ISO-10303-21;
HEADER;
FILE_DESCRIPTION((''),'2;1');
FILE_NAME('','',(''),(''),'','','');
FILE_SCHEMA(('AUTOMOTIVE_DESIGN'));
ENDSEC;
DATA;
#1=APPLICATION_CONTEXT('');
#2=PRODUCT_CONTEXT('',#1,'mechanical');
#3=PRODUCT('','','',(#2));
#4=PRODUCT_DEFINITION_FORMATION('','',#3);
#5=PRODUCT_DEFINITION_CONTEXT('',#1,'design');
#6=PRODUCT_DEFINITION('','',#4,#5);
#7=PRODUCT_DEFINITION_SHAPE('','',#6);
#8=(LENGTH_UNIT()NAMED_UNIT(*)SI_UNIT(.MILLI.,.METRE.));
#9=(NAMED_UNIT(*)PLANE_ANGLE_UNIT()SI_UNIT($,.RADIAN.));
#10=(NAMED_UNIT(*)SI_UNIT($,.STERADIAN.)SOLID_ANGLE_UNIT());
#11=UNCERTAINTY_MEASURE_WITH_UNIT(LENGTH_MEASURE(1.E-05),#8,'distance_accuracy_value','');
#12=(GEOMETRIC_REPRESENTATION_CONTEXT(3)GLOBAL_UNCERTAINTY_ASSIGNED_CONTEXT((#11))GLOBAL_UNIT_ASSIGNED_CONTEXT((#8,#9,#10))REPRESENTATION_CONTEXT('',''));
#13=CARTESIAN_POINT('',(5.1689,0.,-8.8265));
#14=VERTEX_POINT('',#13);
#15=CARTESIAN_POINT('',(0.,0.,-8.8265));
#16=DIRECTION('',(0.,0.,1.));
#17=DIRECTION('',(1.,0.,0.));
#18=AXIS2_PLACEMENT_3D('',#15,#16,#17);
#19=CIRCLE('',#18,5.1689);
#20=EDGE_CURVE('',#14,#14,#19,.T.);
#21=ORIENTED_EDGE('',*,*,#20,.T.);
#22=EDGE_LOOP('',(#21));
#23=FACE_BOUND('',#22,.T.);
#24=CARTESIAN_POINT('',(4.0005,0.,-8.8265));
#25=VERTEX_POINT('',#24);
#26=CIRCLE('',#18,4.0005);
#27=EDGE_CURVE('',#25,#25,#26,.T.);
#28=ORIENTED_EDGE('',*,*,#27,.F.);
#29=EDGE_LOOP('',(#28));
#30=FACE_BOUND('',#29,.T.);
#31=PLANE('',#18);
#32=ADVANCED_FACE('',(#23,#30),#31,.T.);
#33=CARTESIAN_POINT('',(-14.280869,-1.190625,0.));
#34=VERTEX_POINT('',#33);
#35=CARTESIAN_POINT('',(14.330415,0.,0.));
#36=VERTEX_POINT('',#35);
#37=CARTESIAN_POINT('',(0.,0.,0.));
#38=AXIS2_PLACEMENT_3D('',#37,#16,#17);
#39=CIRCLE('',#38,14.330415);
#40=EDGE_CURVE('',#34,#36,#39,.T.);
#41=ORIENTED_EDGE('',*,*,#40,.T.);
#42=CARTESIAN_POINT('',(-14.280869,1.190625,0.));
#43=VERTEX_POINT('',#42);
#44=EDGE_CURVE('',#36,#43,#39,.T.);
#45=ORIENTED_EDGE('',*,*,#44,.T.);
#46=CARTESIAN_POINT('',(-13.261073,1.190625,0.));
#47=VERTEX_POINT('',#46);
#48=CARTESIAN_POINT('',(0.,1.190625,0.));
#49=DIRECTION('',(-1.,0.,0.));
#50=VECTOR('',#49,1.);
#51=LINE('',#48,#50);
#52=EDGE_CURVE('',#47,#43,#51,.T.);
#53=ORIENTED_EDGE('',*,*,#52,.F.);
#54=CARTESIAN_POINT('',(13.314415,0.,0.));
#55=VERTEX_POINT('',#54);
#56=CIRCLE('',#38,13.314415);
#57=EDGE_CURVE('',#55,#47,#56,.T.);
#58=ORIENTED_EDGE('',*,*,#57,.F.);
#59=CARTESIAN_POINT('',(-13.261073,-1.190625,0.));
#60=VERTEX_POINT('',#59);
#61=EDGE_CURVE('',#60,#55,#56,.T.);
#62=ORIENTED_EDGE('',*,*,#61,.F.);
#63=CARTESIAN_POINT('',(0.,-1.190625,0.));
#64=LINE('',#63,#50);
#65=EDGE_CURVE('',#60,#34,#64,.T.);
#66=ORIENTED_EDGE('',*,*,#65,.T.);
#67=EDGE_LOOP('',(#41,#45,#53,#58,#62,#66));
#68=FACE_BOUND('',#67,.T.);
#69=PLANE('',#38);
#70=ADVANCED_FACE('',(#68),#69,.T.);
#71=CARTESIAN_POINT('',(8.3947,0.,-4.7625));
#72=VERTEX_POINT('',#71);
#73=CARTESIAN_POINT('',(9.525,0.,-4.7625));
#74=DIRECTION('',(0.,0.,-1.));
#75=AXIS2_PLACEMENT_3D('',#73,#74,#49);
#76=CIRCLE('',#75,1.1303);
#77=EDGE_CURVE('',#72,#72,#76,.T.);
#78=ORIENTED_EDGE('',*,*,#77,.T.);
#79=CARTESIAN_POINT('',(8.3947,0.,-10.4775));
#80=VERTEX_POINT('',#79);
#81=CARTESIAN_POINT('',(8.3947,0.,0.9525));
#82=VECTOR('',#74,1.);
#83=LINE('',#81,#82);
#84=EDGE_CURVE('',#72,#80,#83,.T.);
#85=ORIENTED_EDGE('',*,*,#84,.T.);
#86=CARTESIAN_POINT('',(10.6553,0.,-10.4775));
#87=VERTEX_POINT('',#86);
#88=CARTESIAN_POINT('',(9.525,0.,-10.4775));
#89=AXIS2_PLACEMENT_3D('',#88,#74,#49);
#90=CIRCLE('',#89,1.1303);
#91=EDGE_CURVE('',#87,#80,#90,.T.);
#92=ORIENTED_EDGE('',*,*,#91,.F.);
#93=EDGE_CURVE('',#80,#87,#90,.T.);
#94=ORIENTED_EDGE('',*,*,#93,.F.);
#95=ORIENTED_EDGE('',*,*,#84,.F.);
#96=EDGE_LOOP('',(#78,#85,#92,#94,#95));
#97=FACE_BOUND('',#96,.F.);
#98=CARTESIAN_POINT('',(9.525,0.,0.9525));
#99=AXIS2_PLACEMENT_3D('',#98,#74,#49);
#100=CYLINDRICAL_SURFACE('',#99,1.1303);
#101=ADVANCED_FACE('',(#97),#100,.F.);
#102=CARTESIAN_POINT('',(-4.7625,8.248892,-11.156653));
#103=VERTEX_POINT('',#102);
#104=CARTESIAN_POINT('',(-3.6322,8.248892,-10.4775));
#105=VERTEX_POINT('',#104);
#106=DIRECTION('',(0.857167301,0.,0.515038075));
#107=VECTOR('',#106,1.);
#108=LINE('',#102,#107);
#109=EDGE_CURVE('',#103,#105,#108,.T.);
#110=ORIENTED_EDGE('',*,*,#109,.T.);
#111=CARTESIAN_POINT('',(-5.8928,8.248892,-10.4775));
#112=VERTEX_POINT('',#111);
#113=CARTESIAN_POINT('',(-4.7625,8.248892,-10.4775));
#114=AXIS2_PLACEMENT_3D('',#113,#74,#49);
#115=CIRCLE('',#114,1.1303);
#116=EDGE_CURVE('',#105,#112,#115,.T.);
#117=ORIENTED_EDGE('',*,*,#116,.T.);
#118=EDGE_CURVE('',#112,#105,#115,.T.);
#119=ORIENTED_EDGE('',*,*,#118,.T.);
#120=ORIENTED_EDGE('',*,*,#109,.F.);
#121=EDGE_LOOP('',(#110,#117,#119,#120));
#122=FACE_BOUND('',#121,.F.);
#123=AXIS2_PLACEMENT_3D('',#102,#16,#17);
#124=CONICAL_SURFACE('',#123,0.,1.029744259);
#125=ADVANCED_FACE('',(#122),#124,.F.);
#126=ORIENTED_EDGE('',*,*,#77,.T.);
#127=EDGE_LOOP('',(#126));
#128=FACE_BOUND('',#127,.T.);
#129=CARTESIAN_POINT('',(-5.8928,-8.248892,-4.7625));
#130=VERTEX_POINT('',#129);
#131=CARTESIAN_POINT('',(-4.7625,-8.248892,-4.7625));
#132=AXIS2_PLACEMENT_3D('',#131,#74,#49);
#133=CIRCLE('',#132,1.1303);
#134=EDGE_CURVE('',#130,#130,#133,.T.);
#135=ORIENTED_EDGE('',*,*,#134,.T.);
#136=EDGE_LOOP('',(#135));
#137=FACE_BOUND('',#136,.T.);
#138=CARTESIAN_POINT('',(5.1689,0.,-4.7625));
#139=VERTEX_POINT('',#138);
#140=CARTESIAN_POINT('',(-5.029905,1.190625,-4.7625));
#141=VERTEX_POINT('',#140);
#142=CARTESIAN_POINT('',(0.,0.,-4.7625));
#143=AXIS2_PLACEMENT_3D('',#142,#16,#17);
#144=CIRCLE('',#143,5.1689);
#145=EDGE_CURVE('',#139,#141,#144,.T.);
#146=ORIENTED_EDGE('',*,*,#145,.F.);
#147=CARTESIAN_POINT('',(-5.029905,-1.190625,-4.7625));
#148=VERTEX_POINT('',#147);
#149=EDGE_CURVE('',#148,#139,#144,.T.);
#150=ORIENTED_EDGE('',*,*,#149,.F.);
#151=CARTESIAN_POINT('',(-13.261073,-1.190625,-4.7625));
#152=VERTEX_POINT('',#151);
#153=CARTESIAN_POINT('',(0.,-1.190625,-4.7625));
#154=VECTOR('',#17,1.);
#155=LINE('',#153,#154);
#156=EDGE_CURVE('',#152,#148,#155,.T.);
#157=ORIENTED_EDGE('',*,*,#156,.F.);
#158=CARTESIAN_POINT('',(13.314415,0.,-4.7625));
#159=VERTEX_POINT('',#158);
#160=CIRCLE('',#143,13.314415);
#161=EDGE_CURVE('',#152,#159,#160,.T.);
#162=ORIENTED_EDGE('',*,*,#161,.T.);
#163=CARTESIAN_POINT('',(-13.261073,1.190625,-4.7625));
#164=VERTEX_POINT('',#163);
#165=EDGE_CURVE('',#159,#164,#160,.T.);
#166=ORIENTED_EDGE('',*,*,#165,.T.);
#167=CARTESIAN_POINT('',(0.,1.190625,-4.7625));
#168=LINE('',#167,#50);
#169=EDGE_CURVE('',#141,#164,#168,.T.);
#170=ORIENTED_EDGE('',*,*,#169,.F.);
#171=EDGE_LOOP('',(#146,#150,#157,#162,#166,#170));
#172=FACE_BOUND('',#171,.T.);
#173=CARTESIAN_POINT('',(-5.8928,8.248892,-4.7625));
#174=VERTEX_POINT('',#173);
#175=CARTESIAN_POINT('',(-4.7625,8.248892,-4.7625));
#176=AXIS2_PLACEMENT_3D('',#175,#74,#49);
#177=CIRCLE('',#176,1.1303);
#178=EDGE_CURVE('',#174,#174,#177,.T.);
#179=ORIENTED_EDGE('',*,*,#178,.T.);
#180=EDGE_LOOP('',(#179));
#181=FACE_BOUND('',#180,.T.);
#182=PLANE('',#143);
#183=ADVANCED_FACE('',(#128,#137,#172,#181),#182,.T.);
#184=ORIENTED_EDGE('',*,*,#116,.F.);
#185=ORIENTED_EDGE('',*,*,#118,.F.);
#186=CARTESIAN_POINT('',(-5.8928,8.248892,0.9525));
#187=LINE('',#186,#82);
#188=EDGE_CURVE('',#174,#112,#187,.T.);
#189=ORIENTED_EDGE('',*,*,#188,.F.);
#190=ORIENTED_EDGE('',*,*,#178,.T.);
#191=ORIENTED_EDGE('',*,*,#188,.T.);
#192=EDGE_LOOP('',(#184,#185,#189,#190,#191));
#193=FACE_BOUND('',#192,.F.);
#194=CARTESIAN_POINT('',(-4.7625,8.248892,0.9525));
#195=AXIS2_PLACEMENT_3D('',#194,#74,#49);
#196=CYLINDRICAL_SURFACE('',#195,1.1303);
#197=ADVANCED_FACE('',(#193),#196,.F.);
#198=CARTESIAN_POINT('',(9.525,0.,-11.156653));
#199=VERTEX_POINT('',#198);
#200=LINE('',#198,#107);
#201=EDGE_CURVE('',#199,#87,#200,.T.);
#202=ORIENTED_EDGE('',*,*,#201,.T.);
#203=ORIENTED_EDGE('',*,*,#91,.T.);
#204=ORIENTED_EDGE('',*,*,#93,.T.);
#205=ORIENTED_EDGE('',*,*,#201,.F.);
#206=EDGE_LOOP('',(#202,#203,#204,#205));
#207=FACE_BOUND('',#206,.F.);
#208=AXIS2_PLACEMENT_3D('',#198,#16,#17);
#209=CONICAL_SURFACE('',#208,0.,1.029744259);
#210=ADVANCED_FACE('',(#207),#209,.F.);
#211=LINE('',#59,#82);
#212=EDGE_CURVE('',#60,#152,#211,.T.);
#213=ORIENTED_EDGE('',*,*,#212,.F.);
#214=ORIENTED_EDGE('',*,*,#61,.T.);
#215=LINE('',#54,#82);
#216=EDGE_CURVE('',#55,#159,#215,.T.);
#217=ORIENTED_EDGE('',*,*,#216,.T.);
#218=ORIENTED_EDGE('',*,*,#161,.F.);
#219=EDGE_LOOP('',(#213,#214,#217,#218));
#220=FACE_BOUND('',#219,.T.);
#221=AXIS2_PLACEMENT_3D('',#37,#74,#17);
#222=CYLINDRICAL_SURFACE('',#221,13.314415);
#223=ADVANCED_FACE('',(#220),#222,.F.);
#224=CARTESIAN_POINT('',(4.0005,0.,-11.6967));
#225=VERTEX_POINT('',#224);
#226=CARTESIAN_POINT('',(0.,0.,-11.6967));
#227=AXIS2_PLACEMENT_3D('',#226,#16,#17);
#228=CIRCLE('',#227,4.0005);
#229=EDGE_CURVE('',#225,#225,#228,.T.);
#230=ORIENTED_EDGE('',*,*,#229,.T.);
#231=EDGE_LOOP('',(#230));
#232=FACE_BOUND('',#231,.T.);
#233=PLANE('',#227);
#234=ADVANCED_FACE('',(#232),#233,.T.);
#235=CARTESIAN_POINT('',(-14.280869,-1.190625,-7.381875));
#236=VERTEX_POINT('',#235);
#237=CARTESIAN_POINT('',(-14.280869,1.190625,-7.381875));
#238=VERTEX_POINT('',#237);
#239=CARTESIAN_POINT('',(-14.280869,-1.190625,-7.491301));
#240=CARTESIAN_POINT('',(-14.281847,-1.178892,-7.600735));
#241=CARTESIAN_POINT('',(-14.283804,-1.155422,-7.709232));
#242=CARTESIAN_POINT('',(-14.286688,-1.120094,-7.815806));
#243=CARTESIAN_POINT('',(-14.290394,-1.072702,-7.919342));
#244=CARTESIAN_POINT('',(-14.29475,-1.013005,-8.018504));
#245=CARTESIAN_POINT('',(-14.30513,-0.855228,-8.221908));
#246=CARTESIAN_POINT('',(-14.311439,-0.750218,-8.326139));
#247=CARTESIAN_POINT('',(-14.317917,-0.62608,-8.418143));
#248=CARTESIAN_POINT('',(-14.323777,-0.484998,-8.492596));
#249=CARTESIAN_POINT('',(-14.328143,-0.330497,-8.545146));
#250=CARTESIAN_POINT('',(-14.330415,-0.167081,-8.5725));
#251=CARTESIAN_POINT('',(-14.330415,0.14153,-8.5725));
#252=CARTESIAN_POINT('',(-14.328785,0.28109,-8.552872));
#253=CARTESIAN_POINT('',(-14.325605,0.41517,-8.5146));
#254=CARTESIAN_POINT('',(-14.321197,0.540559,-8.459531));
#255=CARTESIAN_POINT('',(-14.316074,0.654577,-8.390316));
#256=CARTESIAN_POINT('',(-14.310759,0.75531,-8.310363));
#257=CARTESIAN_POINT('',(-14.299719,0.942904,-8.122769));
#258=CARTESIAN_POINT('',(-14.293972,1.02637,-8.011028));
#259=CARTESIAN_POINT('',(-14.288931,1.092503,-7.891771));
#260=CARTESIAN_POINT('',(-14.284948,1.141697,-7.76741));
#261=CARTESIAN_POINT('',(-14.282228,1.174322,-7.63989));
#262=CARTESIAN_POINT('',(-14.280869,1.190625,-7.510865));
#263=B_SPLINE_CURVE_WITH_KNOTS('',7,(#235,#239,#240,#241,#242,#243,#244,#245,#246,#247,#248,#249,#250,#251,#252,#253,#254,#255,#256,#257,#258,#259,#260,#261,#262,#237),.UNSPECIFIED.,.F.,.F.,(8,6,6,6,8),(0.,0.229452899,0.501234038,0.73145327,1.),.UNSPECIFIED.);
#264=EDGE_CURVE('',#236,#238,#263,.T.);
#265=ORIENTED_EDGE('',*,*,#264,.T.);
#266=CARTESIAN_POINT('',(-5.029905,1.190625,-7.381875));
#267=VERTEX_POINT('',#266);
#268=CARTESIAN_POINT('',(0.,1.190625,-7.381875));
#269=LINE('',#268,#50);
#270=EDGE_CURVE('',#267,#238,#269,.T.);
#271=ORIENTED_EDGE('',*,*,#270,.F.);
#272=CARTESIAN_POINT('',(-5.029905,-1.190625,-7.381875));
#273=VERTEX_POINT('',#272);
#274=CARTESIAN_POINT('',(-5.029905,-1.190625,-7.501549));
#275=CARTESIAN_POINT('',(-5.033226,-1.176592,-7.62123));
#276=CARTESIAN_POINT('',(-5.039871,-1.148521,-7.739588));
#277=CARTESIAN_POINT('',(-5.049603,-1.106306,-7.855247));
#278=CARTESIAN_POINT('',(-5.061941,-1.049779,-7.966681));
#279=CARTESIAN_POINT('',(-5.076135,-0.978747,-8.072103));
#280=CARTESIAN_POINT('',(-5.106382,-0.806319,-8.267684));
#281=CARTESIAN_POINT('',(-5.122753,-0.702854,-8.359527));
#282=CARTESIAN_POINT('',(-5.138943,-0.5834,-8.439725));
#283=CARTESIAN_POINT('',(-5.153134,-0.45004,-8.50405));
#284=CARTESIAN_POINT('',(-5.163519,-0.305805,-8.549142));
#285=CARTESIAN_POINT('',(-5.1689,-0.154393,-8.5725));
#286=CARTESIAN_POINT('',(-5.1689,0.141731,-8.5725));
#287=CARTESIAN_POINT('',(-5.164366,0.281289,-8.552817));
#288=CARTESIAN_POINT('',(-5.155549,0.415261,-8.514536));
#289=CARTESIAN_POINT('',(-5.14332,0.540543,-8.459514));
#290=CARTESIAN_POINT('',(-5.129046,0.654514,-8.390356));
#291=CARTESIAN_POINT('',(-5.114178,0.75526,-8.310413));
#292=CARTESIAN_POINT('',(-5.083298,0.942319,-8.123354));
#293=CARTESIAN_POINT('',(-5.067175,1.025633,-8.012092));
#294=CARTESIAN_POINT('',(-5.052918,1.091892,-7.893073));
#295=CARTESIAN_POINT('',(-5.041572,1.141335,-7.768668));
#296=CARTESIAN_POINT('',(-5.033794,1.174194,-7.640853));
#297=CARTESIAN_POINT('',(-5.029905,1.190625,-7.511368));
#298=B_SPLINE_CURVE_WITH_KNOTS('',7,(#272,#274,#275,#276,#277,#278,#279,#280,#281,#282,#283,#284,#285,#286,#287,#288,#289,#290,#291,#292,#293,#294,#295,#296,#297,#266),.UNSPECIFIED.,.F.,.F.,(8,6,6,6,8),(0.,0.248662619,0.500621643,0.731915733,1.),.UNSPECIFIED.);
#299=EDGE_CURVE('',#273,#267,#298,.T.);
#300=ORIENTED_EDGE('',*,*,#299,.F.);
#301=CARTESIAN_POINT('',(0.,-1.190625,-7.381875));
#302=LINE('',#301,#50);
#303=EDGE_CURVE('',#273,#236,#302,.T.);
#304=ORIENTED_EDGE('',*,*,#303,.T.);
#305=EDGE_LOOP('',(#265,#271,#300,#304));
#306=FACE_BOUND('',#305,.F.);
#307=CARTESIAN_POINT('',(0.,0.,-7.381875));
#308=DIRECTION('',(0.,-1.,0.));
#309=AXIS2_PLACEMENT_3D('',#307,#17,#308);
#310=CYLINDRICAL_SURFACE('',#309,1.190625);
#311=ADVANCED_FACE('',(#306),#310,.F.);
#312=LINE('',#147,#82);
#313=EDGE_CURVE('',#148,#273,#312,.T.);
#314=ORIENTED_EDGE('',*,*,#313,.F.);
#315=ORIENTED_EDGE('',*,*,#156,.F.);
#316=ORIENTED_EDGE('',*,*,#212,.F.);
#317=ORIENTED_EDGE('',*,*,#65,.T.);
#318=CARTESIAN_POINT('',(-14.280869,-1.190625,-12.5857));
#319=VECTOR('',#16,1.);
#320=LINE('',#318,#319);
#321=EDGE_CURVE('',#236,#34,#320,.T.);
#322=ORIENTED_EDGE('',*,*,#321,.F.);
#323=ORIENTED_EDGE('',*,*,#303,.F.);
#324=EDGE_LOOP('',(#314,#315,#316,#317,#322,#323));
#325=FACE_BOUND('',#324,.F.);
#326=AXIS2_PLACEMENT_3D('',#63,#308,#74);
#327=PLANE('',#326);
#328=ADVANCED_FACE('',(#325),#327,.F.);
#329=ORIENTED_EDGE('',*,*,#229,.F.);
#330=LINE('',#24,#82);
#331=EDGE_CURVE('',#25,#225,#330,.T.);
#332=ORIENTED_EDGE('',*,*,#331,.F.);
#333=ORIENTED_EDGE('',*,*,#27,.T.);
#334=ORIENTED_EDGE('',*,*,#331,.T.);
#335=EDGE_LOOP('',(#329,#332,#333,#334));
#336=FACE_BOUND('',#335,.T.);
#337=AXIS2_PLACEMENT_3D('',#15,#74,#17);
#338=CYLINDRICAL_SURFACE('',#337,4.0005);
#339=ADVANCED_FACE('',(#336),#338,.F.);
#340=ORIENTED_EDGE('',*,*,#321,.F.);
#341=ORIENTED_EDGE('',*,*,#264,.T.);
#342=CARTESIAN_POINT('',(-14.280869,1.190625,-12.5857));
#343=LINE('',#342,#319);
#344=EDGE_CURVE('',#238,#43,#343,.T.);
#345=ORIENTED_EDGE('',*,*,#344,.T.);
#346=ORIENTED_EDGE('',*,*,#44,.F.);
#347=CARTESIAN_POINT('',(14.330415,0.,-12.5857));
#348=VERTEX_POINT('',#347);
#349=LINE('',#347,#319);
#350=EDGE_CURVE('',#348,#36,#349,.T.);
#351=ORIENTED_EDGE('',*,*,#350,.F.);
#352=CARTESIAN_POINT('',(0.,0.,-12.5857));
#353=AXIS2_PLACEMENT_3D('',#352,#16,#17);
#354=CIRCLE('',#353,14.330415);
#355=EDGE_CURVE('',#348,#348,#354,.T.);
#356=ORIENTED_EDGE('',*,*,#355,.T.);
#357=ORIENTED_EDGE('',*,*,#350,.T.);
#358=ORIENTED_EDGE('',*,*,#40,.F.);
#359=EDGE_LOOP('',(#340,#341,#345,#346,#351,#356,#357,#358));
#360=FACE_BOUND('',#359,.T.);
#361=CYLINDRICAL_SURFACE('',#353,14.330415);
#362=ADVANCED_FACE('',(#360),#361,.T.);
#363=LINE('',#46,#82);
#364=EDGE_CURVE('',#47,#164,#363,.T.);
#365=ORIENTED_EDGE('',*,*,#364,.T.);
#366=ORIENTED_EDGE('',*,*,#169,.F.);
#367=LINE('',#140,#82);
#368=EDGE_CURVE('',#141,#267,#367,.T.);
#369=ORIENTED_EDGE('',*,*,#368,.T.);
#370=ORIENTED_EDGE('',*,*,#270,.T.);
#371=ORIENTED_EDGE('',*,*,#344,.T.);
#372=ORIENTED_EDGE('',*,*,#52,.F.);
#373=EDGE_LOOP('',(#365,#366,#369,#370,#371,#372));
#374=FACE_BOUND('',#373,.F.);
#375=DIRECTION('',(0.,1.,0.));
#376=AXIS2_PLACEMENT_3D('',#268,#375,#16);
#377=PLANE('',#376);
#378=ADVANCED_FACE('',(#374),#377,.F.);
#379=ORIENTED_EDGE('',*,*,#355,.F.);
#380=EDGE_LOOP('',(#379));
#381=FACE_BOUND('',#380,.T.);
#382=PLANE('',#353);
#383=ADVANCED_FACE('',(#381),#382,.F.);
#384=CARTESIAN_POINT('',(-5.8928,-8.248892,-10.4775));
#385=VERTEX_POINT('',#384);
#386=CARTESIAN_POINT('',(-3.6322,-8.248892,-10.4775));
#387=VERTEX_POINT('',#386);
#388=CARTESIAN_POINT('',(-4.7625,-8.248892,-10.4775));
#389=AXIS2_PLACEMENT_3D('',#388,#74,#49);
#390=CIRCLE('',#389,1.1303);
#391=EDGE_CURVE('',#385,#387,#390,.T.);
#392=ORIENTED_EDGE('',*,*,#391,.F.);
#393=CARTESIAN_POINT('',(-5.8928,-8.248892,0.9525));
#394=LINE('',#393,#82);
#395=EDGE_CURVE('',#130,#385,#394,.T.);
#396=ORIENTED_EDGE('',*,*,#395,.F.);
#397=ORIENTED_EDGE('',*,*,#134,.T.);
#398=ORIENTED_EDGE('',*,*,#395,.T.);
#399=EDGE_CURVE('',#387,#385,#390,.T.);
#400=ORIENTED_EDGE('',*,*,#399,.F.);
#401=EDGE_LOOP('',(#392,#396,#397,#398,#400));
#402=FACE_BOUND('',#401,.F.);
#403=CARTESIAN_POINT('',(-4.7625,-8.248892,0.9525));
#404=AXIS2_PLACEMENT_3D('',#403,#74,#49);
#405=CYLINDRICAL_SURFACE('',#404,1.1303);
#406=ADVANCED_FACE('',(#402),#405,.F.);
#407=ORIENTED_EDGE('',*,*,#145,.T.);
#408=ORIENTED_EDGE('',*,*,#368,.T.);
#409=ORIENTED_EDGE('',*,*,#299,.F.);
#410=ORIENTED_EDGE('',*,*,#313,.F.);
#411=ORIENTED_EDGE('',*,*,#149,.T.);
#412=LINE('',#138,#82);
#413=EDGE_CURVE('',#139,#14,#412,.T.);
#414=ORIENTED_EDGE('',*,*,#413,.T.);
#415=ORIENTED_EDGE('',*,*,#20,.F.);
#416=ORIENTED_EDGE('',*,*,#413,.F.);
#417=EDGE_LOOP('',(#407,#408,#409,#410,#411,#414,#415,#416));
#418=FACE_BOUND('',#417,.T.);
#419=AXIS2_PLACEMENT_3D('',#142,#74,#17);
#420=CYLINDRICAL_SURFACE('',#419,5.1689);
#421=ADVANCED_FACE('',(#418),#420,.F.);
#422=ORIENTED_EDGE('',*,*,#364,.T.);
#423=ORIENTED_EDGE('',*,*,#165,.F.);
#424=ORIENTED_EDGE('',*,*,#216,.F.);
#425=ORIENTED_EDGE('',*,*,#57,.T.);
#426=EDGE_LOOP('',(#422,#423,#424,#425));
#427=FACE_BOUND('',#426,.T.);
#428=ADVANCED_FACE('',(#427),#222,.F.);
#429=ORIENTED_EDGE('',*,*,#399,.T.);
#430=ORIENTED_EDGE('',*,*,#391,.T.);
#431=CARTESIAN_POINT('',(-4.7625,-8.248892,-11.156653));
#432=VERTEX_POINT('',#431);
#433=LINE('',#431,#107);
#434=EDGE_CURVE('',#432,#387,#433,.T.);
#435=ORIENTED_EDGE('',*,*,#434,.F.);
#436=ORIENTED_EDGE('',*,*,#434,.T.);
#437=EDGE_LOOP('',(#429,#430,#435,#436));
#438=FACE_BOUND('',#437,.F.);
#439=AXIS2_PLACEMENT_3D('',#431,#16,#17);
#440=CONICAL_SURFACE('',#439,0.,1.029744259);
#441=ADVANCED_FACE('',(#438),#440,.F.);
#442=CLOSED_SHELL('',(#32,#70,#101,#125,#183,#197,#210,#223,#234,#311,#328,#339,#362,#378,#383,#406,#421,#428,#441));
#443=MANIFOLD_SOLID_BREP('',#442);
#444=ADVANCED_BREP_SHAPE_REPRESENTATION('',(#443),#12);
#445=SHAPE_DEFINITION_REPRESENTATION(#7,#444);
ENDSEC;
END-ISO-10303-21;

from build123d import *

# Parameters (mm, degrees)
F3_DEPTH = 25.4
F5_D     = 2.2606
F5_DEPTH = 5.715
F5_TIP   = 0.6791527577


with BuildPart() as f1:
    # F0 (on Front) → F1 (revolve)
    with BuildSketch(Plane.XZ):
        Polygon((14.330415332, -12.5857), (14.330415332, 0), (13.314415332, 0), (13.314415332, -4.7625), (5.1689, -4.7625), (5.1689, -8.8265), (4.0005, -8.8265), (4.0005, -11.6967), (0, -11.6967), (0, -12.5857), align=None)
    revolve(axis=Axis((0, 0, -12.1412), (0, 0, 1)))

    # F2 (on Right) → F3 (cut)
    with BuildSketch(Plane.YZ):
        with BuildLine():
            Line((-1.190625, 0), (-1.190625, -7.381875))
            ThreePointArc((-1.190625, -7.381875), (0, -8.5725), (1.190625, -7.381875))
            Line((1.190625, -7.381875), (1.190625, 0))
            Line((1.190625, 0), (-1.190625, 0))
        make_face()
    extrude(amount=-F3_DEPTH, mode=Mode.SUBTRACT)

    # F5
    with Locations(Plane.XY.offset(-4.7625)):
        with Locations((9.525, 0), (-4.7625, 8.248891971), (-4.7625, -8.248891971)):
            Hole(F5_D / 2, depth=F5_DEPTH)
            with Locations((0, 0, -(F5_DEPTH + F5_TIP / 2))):  # 118° drill point
                Cone(0, F5_D / 2, F5_TIP, mode=Mode.SUBTRACT)


solid = f1.part
